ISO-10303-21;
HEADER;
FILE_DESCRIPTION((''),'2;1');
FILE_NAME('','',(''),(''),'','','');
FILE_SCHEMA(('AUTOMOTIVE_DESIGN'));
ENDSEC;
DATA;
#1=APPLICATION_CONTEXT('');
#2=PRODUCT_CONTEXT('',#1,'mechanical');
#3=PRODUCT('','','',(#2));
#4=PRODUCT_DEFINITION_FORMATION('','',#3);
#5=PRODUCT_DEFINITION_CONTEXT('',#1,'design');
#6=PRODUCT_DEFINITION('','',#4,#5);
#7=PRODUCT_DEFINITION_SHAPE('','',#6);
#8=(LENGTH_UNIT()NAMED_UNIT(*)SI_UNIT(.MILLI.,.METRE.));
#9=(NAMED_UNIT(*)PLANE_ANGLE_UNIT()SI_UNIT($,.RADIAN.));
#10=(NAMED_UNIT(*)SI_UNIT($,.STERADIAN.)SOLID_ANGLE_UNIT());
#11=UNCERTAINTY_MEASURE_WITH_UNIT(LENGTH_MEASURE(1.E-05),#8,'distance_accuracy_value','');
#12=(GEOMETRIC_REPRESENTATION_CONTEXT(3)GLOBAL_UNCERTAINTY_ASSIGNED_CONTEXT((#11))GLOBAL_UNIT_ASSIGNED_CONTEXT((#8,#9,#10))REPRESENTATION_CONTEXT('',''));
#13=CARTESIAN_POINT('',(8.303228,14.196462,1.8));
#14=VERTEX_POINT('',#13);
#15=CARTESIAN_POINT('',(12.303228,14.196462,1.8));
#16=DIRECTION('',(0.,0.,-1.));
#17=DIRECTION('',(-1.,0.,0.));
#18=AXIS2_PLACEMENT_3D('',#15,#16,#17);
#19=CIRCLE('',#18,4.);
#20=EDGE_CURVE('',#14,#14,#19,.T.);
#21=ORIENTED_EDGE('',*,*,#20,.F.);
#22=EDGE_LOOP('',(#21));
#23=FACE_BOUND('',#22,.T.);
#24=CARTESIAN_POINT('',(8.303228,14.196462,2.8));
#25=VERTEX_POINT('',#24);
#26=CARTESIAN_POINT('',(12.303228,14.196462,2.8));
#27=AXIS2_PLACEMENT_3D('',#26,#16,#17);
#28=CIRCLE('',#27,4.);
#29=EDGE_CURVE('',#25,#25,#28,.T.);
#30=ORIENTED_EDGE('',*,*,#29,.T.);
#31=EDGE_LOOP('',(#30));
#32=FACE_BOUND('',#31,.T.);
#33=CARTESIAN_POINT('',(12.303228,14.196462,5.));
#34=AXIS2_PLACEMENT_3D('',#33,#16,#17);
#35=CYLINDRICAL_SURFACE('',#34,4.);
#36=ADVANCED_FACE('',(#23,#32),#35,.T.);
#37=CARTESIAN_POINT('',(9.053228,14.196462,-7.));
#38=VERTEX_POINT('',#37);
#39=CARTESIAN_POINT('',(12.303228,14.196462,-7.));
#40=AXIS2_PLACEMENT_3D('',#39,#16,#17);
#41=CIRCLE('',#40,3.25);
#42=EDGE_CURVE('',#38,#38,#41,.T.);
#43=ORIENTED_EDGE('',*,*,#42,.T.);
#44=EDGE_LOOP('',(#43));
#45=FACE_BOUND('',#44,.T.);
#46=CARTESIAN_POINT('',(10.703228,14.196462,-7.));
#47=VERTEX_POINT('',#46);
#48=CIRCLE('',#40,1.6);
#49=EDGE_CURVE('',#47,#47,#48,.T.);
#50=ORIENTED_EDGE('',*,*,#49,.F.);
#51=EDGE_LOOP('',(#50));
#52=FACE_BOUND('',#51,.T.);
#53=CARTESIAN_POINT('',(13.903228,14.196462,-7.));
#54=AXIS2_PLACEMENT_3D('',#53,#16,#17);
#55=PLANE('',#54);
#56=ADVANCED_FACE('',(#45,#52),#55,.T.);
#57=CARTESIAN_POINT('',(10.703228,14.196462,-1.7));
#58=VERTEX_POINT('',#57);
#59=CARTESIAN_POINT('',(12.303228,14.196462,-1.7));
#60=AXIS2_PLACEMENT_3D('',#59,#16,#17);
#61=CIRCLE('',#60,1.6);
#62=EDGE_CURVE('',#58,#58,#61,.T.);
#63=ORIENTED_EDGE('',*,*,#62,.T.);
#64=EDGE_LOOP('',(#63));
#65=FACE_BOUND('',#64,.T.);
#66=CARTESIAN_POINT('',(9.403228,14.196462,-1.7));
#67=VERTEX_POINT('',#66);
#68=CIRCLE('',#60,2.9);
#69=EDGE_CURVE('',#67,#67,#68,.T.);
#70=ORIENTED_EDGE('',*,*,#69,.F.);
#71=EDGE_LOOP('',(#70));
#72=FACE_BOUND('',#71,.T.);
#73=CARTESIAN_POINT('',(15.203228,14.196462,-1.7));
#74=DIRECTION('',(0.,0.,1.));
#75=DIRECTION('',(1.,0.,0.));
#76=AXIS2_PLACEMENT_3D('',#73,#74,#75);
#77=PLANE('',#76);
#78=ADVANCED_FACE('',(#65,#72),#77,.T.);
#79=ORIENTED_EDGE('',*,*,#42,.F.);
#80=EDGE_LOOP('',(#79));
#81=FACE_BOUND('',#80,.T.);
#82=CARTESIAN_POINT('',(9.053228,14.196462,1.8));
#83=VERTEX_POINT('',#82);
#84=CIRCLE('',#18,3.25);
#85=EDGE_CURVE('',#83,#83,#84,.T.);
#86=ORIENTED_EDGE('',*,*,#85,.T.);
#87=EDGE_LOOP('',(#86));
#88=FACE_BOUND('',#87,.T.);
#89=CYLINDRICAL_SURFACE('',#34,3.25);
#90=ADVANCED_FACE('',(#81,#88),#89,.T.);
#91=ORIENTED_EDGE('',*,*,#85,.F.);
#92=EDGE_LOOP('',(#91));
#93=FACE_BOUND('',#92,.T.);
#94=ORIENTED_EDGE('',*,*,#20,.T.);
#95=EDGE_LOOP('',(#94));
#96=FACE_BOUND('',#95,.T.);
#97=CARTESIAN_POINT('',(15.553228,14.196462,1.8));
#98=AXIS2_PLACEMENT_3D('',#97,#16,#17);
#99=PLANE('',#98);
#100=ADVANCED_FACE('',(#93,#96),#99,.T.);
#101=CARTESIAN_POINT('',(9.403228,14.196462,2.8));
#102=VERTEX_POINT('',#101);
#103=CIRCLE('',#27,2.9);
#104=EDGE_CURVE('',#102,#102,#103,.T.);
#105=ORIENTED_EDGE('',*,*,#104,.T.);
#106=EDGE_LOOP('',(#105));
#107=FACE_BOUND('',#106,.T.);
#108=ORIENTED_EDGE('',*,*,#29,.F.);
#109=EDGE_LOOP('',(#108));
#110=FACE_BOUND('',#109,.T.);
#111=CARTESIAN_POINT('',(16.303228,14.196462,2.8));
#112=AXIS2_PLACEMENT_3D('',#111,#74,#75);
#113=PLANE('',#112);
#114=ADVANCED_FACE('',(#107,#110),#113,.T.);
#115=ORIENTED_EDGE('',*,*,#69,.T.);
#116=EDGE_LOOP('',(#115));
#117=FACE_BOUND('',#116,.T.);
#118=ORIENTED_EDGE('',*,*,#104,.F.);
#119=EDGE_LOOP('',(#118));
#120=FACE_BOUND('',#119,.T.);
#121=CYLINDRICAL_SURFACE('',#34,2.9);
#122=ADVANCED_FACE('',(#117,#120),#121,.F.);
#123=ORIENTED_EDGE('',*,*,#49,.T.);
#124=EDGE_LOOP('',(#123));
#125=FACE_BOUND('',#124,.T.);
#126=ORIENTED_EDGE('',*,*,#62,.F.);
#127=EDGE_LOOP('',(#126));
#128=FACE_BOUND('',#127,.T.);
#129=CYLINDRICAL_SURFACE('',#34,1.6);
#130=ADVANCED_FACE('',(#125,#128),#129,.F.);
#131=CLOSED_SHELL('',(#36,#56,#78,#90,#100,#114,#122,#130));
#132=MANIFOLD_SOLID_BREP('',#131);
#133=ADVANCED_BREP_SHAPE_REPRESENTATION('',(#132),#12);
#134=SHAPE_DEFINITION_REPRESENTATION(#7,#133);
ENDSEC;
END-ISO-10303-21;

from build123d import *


with BuildPart() as part:
    # Sketch1 → Revolve1 (revolve)
    with BuildSketch(Plane.XZ.offset(-14.196461829), mode=Mode.PRIVATE) as revolve1_sk:
        Polygon((13.903227856, -1.7), (13.903227856, -7), (15.553227856, -7), (15.553227856, 1.8), (16.303227856, 1.8), (16.303227856, 2.8), (15.203227856, 2.8), (15.203227856, -1.7), align=None)
    revolve(revolve1_sk.sketch.rotate(Axis((12.303227856, 14.196461829, 5), (0, 0, -1)), 180), axis=Axis((12.303227856, 14.196461829, 5), (0, 0, -1)))


solid = part.part
